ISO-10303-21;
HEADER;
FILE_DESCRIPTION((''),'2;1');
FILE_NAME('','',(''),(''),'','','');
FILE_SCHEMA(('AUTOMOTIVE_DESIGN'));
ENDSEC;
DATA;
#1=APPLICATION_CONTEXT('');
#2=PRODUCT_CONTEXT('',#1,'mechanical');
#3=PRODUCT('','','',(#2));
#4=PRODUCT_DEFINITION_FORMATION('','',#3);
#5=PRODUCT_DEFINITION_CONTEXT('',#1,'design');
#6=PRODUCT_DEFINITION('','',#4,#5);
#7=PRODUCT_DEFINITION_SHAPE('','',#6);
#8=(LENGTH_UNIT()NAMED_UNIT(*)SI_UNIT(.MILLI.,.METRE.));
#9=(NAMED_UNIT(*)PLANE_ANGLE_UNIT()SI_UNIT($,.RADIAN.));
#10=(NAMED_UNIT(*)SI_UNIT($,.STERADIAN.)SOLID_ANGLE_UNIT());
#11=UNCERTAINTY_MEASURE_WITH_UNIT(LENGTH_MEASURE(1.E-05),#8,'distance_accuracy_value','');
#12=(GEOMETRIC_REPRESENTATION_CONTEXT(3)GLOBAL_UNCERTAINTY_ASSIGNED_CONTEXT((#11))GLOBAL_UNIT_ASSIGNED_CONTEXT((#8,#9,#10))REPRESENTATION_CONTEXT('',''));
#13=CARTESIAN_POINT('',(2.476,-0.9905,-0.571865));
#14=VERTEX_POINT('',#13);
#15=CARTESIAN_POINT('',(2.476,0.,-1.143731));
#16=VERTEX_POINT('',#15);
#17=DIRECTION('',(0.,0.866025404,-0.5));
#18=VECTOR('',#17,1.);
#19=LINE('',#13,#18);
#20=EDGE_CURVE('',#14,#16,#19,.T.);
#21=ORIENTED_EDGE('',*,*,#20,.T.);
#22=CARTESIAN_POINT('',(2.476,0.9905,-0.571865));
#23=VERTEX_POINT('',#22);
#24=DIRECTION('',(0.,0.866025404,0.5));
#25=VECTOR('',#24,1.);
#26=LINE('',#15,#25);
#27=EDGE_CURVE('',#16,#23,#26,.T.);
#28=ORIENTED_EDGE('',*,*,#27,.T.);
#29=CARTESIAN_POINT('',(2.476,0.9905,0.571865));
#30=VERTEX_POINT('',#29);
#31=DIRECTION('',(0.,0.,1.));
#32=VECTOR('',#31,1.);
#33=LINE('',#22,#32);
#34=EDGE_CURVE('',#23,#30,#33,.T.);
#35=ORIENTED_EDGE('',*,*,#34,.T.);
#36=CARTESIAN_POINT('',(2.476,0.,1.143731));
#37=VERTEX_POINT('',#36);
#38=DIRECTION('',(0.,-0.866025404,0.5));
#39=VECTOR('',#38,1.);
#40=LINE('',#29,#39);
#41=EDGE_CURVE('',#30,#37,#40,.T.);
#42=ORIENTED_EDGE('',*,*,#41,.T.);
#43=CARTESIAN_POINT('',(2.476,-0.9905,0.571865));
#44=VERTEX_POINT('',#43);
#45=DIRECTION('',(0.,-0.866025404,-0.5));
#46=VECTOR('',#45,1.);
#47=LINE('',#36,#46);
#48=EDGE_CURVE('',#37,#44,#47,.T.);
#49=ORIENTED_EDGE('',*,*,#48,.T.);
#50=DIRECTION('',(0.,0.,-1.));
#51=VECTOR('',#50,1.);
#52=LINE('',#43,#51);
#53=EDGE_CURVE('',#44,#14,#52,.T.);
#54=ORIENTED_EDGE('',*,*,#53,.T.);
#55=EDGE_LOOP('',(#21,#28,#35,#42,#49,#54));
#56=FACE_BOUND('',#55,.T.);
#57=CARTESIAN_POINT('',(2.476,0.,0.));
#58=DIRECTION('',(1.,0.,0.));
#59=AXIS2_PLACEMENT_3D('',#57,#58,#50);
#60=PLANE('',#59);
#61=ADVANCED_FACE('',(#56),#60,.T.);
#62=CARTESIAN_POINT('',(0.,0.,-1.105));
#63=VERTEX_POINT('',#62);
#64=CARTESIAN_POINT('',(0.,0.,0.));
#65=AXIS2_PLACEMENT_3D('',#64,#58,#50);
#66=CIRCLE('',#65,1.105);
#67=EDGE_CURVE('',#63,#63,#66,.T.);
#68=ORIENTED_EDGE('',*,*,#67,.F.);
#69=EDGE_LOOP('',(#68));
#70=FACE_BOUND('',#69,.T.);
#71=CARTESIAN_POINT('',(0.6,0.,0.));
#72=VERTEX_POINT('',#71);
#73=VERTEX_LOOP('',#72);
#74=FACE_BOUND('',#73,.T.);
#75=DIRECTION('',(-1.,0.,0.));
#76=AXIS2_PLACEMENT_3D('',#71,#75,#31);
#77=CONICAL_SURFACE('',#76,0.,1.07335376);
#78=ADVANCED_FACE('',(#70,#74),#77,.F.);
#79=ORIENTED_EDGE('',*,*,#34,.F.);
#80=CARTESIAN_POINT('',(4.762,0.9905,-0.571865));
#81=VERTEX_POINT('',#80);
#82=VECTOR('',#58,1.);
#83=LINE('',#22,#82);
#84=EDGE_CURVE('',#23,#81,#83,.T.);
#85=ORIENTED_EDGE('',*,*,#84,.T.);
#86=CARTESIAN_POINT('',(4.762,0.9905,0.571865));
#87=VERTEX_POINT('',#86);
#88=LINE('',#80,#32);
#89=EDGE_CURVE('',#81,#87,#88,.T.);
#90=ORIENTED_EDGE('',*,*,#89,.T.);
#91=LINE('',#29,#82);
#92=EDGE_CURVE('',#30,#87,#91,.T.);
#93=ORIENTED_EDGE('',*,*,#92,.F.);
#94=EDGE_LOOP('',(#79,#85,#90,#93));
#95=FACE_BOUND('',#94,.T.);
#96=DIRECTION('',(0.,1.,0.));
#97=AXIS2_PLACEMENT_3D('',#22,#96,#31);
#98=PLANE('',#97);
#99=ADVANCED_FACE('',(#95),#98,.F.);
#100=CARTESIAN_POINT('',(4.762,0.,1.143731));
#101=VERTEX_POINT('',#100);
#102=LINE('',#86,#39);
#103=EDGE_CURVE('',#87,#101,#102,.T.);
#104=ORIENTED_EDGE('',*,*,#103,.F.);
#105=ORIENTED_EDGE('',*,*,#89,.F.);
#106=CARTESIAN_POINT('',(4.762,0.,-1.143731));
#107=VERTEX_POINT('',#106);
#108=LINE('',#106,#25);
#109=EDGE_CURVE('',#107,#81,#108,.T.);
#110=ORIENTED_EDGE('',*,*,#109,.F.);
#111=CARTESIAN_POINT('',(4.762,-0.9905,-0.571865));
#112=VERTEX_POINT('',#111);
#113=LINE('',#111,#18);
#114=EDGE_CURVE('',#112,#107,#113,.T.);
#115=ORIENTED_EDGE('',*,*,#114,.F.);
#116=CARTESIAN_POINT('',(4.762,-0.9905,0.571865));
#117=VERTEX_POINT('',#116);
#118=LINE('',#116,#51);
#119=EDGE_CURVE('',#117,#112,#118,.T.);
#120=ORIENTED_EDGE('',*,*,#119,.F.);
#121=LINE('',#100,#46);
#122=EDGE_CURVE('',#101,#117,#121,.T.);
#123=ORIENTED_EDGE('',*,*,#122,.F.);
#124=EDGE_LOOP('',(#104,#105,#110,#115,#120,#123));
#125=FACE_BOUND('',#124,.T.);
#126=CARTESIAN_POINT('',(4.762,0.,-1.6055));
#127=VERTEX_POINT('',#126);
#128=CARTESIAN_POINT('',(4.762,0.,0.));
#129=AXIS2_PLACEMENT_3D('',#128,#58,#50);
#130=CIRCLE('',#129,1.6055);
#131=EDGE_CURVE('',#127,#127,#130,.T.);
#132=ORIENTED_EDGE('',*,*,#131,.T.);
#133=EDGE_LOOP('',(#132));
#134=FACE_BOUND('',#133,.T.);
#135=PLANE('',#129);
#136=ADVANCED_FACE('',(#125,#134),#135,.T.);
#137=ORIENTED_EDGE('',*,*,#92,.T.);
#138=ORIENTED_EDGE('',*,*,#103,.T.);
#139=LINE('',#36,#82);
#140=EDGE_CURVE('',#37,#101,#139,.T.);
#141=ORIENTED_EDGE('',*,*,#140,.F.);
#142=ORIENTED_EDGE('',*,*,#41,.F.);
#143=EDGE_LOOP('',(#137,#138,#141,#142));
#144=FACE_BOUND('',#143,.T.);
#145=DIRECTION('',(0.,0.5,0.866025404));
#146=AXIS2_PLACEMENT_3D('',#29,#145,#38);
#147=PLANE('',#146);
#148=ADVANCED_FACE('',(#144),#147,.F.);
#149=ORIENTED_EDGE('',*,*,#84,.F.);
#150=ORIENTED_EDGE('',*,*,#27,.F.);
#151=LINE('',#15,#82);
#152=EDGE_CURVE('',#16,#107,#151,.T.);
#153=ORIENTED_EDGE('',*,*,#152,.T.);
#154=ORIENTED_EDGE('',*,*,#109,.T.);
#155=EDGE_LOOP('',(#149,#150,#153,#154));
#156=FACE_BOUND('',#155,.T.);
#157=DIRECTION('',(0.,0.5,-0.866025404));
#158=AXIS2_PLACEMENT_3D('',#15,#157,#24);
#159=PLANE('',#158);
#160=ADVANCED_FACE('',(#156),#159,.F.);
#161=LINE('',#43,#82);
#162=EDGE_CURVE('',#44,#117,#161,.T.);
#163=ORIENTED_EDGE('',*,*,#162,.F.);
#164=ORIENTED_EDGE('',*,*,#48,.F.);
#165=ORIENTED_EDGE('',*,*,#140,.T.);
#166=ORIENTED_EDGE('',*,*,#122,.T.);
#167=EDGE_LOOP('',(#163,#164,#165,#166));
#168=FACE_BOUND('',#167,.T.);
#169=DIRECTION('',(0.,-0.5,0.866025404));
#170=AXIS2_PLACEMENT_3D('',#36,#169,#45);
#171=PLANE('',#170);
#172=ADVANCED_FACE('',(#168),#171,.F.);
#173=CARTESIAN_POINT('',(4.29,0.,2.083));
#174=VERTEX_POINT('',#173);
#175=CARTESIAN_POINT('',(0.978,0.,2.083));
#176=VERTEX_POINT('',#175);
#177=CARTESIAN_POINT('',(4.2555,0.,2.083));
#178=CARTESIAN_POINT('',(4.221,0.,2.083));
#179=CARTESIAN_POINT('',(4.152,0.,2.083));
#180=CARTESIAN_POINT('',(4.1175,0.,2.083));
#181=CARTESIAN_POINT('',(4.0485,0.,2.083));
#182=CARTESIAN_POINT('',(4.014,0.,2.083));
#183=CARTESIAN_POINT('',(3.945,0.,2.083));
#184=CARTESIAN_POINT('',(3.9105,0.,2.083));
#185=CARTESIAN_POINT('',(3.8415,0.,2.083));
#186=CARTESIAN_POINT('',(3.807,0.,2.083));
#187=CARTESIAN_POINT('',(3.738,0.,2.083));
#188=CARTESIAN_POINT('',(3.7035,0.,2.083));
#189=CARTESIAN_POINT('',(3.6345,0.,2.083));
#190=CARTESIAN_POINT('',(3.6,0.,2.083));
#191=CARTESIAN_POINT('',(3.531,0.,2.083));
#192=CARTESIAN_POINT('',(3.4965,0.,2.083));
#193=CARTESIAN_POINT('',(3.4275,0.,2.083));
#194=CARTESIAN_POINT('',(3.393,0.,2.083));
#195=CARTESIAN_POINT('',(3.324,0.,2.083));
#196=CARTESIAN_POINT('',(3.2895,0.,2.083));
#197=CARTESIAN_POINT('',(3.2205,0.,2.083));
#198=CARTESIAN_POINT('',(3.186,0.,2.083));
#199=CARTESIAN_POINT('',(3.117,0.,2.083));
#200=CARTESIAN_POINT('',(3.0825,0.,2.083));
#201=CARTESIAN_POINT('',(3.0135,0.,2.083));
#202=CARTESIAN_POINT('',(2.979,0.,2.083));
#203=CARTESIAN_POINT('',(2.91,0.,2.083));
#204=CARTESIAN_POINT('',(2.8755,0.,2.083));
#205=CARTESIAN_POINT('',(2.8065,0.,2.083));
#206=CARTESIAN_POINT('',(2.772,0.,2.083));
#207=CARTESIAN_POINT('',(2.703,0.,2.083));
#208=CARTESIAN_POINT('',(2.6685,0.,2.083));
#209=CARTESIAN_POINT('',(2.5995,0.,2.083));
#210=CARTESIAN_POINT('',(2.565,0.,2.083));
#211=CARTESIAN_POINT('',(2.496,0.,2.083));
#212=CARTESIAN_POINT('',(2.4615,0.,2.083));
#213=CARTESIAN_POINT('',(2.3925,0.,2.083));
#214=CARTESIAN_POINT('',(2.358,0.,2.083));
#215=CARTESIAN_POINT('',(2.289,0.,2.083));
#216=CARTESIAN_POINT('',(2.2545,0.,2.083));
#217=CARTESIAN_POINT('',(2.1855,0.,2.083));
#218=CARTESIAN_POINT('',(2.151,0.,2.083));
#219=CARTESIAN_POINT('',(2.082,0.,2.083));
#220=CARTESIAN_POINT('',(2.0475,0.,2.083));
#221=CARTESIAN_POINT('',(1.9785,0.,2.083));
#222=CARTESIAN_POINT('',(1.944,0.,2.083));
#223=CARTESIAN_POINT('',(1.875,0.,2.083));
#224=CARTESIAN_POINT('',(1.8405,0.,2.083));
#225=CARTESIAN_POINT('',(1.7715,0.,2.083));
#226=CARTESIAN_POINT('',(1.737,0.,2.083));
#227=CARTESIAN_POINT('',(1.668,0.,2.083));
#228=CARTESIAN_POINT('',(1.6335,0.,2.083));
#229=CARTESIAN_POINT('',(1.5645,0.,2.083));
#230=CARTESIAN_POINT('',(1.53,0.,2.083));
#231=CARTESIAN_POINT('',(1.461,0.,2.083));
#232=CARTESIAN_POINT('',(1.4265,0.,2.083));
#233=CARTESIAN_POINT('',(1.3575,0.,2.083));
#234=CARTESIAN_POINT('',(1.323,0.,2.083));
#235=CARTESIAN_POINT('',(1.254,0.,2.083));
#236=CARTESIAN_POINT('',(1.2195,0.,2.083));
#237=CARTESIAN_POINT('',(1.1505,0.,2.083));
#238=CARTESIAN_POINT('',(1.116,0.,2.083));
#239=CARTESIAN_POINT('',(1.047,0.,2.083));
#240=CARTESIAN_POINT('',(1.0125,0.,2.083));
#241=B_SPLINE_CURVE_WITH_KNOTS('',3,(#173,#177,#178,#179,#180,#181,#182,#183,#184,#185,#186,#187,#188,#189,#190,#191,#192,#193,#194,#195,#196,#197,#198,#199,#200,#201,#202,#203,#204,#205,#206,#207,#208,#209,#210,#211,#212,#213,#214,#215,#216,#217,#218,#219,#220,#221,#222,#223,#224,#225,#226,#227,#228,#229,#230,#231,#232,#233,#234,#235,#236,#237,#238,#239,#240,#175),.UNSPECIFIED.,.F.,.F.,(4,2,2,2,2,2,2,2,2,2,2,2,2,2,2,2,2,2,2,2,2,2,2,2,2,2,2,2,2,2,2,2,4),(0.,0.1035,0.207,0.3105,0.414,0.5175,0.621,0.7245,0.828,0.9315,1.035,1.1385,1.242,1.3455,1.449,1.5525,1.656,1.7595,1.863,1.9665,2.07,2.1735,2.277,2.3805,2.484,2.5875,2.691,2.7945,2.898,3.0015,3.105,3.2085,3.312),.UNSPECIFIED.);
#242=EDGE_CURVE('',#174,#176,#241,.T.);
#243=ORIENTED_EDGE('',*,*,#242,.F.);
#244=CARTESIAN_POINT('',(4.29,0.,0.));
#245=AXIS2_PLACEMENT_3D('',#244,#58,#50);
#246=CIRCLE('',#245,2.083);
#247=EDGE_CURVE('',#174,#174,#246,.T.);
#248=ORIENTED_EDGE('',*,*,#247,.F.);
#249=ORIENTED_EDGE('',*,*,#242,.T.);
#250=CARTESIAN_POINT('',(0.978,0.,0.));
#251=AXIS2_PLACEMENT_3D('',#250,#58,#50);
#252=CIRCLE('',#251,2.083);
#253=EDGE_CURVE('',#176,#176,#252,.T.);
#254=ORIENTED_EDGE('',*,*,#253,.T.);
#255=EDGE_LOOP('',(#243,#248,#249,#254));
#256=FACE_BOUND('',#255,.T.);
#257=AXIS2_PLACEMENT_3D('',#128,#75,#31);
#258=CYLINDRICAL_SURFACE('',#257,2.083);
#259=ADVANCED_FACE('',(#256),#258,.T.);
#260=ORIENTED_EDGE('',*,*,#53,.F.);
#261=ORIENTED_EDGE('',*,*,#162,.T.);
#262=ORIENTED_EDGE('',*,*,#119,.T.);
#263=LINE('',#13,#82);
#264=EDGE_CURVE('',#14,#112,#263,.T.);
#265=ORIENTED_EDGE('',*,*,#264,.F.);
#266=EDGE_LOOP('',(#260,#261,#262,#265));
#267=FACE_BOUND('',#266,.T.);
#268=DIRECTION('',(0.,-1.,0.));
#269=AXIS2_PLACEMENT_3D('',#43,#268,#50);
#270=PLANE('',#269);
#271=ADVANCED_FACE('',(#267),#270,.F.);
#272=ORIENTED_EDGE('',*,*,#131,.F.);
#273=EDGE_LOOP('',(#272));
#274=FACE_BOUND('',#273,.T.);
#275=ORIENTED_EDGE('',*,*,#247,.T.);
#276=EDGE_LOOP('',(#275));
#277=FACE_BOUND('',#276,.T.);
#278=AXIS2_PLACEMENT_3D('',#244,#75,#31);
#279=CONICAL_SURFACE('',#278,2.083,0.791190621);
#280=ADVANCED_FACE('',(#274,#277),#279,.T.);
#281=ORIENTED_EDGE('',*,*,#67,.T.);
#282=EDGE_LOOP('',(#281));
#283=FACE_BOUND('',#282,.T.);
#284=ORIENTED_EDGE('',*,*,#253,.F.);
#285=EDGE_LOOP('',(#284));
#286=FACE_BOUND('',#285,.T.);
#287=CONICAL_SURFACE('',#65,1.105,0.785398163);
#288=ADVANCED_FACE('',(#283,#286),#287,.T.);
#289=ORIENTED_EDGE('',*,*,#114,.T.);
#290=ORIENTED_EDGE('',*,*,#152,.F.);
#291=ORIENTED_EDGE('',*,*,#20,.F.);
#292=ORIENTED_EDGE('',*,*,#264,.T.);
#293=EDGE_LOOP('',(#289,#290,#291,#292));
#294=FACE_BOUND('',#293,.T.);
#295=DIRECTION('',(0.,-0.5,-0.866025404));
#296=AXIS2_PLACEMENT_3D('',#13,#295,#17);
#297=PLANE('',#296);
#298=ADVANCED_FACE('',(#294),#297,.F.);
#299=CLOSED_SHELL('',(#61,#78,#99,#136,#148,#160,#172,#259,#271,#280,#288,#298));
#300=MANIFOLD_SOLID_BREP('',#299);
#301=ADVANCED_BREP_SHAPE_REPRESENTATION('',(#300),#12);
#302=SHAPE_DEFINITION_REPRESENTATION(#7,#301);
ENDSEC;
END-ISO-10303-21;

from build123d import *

# Parameters (mm, degrees)
SKETCH1_R           = 2.083
BOSS_EXTRUDE1_DEPTH = 4.762
CUT_EXTRUDE1_DEPTH  = 2.286


with BuildPart() as part:
    # Sketch1 → Boss-Extrude1 (new body)
    with BuildSketch(Plane(origin=(0, 0, 0), x_dir=(0, 0, -1), z_dir=(1, 0, 0))):
        with Locations(Location((0, 0, 0), (0, 0, 180))):
            Circle(SKETCH1_R)
    extrude(amount=BOSS_EXTRUDE1_DEPTH)

    # Sketch2 → Cut-Revolve1 (revolve, cut)
    with BuildSketch(Plane.XY, mode=Mode.PRIVATE) as cut_revolve1_sk:
        Polygon((0, 1.105), (0.978, 2.083), (0, 2.083), align=None)
    revolve(cut_revolve1_sk.sketch.rotate(Axis((4.762, 0, 0), (-1, 0, 0)), 270), axis=Axis((4.762, 0, 0), (-1, 0, 0)), mode=Mode.SUBTRACT)

    # Sketch3 → Cut-Revolve2 (revolve, cut)
    with BuildSketch(Plane.XY, mode=Mode.PRIVATE) as cut_revolve2_sk:
        Polygon((4.29, 2.083), (4.762, 2.083), (4.762, 1.6055), align=None)
    revolve(cut_revolve2_sk.sketch.rotate(Axis((4.762, 0, 0), (-1, 0, 0)), 270), axis=Axis((4.762, 0, 0), (-1, 0, 0)), mode=Mode.SUBTRACT)

    # Sketch11 → Cut-Revolve5 (revolve, cut)
    with BuildSketch(Plane.XY, mode=Mode.PRIVATE) as cut_revolve5_sk:
        Polygon((0, 0), (0, 1.105), (0.6, 0), align=None)
    revolve(cut_revolve5_sk.sketch.rotate(Axis((4.762, 0, 0), (-1, 0, 0)), 90), axis=Axis((4.762, 0, 0), (-1, 0, 0)), mode=Mode.SUBTRACT)

    # Sketch12 → Cut-Extrude1 (cut)
    with BuildSketch(Plane(origin=(4.762, 0, 0), x_dir=(0, 0, -1), z_dir=(1, 0, 0))):
        Polygon((0.571865442, 0.9905), (-0.571865442, 0.9905), (-1.143730883, 0), (-0.571865442, -0.9905), (0.571865442, -0.9905), (1.143730883, 0), align=None)
    extrude(amount=-CUT_EXTRUDE1_DEPTH, mode=Mode.SUBTRACT)


solid = part.part
